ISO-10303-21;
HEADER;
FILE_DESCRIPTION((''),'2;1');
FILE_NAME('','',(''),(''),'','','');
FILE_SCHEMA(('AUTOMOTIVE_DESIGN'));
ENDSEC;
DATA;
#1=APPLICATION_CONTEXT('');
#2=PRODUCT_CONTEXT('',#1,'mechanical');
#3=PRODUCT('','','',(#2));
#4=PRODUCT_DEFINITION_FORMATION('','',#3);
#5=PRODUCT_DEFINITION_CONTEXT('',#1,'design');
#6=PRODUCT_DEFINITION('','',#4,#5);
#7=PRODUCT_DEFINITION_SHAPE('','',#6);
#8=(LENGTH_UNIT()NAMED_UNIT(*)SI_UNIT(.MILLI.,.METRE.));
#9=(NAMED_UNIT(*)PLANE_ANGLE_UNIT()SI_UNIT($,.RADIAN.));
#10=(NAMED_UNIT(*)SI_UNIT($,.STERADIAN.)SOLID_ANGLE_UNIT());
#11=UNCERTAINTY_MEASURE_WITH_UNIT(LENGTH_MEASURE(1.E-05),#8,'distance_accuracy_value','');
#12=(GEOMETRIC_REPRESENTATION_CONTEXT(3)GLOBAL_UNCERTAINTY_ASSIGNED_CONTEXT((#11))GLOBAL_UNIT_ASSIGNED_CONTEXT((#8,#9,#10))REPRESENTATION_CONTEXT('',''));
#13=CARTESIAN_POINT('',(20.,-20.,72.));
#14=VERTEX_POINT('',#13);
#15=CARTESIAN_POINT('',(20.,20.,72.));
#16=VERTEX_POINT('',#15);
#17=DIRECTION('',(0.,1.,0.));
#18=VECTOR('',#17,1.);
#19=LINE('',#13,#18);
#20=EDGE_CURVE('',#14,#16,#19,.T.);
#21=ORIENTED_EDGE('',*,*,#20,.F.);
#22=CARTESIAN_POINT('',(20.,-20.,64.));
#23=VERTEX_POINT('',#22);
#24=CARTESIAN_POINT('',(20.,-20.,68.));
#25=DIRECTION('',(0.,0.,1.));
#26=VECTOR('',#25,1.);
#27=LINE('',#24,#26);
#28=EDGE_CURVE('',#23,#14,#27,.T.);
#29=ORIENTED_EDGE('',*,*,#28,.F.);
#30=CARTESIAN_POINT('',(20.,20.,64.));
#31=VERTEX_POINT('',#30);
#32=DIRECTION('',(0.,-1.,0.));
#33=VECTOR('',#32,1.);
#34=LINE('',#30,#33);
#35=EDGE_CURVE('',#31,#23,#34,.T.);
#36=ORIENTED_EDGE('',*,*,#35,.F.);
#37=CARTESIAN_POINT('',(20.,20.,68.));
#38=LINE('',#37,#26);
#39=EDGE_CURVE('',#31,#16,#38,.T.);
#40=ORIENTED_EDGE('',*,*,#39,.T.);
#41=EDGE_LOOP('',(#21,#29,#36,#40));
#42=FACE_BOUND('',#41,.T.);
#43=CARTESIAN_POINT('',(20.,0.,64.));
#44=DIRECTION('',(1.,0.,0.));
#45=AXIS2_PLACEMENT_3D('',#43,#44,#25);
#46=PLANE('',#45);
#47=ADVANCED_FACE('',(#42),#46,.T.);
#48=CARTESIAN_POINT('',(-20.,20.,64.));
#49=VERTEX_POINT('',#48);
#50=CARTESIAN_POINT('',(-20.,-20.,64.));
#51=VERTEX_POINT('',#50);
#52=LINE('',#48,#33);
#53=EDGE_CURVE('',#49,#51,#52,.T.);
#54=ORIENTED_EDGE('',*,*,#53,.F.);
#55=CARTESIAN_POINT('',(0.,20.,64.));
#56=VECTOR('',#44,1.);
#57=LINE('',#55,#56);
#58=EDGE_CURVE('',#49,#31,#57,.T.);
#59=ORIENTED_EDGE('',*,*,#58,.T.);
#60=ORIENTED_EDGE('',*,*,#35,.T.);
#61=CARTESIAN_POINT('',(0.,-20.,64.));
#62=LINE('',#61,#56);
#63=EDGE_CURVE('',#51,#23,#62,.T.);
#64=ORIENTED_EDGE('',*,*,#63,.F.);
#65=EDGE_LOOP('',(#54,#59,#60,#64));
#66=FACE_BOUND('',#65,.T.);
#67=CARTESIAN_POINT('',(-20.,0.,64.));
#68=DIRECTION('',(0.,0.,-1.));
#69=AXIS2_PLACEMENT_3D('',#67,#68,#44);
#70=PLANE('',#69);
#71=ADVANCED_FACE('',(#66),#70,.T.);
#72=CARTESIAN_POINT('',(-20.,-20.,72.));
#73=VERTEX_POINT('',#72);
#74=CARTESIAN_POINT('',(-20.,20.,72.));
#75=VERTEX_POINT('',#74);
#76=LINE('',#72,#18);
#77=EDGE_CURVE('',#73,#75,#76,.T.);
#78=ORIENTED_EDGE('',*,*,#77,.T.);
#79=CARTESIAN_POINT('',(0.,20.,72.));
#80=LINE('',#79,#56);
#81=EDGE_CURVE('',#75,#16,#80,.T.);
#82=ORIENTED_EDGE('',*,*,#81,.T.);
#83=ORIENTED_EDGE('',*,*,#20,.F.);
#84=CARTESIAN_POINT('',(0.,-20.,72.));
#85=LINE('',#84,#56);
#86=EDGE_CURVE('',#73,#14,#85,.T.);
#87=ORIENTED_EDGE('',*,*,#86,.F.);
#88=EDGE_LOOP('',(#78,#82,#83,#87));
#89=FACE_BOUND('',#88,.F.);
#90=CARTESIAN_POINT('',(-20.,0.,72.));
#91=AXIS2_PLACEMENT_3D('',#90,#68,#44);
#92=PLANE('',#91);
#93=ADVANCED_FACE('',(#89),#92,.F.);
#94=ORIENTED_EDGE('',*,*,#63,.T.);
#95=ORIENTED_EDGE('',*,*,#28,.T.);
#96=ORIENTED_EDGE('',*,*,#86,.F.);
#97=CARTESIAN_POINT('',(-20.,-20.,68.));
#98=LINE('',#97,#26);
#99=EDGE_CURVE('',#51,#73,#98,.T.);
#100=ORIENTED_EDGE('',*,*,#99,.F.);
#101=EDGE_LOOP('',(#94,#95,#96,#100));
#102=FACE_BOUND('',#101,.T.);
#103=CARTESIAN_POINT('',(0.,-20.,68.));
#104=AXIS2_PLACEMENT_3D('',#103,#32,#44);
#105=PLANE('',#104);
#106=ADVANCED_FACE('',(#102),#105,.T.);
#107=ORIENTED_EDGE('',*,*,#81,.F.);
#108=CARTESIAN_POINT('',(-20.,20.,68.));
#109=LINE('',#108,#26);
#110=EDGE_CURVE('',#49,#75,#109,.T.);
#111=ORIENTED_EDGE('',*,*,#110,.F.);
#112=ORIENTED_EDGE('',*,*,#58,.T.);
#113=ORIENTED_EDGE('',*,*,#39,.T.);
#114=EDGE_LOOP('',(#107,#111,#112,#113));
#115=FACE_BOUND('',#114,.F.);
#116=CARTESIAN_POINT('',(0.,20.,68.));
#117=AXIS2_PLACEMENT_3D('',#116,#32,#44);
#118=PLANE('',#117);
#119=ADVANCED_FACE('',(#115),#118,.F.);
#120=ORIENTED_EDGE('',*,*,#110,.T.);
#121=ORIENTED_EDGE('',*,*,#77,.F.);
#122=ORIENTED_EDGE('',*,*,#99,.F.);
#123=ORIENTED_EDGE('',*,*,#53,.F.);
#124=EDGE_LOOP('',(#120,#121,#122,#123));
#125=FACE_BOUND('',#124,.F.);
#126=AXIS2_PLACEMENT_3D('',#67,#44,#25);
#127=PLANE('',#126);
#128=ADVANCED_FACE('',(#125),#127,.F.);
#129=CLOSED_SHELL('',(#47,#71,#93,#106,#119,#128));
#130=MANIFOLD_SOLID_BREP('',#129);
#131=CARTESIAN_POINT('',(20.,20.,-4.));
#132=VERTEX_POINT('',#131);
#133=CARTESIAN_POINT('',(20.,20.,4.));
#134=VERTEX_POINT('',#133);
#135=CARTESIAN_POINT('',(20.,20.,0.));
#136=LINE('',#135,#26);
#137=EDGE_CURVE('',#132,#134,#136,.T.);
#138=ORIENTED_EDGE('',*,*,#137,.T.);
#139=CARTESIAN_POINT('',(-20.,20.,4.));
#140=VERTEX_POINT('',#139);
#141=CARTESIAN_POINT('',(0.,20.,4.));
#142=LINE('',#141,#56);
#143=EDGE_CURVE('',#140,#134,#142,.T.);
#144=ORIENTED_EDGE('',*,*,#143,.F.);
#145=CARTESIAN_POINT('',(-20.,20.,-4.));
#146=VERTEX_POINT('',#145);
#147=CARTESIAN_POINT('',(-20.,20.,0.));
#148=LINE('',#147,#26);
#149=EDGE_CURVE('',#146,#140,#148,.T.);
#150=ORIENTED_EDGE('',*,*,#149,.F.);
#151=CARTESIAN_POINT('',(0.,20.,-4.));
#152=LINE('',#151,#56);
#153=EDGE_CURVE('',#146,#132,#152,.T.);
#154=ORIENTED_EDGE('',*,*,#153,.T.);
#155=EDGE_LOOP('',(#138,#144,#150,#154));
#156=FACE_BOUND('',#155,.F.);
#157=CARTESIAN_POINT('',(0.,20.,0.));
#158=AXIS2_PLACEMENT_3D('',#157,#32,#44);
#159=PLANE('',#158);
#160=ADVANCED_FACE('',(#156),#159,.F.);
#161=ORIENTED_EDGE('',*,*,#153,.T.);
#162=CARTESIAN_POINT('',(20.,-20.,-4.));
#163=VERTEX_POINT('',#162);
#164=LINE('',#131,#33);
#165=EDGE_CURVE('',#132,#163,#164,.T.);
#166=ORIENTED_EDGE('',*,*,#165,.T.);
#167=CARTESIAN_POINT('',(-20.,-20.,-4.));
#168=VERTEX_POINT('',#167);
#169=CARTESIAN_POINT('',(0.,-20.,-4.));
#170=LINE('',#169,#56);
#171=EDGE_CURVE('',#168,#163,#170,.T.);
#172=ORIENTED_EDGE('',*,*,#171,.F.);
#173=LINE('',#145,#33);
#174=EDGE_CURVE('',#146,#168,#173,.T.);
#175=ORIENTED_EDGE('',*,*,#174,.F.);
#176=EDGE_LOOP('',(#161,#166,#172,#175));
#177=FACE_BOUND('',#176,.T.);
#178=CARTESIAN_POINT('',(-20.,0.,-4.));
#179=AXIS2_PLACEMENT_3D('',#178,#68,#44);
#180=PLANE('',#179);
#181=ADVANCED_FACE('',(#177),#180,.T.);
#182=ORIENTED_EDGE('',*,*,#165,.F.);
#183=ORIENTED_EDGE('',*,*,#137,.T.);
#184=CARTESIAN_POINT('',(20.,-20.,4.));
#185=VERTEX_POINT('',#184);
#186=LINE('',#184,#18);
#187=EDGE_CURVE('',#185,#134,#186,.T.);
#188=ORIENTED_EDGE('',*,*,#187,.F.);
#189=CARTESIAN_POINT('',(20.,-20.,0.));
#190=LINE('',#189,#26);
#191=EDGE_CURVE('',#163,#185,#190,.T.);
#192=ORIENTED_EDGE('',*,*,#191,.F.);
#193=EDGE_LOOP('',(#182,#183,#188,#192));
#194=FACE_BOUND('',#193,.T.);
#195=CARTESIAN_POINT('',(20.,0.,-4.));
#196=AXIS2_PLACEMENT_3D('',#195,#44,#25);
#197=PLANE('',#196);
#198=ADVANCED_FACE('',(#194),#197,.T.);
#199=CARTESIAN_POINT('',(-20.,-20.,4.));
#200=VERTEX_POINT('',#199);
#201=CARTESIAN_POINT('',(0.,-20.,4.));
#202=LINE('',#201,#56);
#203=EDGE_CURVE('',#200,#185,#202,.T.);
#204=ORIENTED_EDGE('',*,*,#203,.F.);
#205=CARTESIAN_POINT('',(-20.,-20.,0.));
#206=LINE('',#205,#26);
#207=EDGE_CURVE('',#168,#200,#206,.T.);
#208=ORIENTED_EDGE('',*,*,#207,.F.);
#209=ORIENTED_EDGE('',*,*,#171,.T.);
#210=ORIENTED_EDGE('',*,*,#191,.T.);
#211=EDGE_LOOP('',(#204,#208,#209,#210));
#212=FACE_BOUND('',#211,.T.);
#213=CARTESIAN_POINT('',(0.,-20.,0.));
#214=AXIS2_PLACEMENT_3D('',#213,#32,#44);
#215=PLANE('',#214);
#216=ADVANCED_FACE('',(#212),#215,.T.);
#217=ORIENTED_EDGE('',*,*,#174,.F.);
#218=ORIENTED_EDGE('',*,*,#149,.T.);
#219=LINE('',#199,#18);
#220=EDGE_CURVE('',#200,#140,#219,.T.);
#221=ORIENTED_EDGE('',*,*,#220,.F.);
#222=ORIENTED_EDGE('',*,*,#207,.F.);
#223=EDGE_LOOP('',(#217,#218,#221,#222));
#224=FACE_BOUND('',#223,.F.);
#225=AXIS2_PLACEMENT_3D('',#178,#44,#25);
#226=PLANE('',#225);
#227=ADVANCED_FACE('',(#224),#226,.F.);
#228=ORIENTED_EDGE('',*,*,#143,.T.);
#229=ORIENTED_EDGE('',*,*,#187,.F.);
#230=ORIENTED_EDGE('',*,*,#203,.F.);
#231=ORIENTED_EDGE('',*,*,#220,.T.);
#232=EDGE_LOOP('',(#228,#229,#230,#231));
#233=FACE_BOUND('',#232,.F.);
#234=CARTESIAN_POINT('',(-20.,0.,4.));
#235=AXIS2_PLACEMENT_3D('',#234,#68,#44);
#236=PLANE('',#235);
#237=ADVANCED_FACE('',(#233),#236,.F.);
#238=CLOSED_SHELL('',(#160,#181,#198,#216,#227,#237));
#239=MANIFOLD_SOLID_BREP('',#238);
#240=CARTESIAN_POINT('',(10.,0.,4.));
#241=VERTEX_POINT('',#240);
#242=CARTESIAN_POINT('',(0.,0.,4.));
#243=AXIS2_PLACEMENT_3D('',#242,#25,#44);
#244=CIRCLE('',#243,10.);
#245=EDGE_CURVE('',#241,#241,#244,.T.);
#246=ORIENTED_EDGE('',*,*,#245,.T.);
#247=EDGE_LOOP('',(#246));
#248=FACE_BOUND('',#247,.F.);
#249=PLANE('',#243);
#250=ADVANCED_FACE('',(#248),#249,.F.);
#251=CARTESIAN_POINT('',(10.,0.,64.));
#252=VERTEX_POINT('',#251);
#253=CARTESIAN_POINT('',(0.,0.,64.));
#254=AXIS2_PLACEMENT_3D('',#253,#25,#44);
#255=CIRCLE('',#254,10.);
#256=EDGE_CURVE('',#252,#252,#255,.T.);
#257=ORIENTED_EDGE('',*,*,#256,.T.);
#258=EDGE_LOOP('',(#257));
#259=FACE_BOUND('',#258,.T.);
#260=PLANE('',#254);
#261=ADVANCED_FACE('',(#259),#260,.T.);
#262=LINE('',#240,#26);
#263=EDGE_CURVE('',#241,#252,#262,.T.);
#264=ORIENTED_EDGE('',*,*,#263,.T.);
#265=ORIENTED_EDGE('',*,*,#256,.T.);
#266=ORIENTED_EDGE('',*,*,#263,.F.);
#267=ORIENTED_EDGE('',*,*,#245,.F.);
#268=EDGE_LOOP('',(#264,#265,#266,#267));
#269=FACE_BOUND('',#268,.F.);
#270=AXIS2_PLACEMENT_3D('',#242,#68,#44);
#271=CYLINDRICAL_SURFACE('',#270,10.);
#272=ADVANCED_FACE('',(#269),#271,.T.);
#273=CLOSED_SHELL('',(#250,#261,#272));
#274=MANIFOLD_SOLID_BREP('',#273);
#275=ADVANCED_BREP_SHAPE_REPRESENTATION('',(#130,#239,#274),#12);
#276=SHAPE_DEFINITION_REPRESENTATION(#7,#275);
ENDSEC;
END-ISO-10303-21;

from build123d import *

# Parameters (mm, degrees)
F0_W     = 40
F0_H     = 8
F1_DEPTH = 20
F2_R     = 10
F3_DEPTH = 60


with BuildPart() as f1:
    # F0 (on Front) → F1 (new body, symmetric)
    with BuildSketch(Plane.XZ):
        Rectangle(F0_W, F0_H)
    extrude(amount=F1_DEPTH, both=True)


with BuildPart() as f1b:
    # F0 (on Front) → F1, piece 2 (new body, symmetric)
    with BuildSketch(Plane.XZ):
        with Locations((0, 68)):
            Rectangle(F0_W, F0_H)
    extrude(amount=F1_DEPTH, both=True)


with BuildPart() as f3:
    # F2 (on face) → F3 (new body, through all)
    with BuildSketch(Plane.XY.offset(4)):
        Circle(F2_R)
    extrude(amount=F3_DEPTH)


solid = Compound([f1.part, f1b.part, f3.part])
